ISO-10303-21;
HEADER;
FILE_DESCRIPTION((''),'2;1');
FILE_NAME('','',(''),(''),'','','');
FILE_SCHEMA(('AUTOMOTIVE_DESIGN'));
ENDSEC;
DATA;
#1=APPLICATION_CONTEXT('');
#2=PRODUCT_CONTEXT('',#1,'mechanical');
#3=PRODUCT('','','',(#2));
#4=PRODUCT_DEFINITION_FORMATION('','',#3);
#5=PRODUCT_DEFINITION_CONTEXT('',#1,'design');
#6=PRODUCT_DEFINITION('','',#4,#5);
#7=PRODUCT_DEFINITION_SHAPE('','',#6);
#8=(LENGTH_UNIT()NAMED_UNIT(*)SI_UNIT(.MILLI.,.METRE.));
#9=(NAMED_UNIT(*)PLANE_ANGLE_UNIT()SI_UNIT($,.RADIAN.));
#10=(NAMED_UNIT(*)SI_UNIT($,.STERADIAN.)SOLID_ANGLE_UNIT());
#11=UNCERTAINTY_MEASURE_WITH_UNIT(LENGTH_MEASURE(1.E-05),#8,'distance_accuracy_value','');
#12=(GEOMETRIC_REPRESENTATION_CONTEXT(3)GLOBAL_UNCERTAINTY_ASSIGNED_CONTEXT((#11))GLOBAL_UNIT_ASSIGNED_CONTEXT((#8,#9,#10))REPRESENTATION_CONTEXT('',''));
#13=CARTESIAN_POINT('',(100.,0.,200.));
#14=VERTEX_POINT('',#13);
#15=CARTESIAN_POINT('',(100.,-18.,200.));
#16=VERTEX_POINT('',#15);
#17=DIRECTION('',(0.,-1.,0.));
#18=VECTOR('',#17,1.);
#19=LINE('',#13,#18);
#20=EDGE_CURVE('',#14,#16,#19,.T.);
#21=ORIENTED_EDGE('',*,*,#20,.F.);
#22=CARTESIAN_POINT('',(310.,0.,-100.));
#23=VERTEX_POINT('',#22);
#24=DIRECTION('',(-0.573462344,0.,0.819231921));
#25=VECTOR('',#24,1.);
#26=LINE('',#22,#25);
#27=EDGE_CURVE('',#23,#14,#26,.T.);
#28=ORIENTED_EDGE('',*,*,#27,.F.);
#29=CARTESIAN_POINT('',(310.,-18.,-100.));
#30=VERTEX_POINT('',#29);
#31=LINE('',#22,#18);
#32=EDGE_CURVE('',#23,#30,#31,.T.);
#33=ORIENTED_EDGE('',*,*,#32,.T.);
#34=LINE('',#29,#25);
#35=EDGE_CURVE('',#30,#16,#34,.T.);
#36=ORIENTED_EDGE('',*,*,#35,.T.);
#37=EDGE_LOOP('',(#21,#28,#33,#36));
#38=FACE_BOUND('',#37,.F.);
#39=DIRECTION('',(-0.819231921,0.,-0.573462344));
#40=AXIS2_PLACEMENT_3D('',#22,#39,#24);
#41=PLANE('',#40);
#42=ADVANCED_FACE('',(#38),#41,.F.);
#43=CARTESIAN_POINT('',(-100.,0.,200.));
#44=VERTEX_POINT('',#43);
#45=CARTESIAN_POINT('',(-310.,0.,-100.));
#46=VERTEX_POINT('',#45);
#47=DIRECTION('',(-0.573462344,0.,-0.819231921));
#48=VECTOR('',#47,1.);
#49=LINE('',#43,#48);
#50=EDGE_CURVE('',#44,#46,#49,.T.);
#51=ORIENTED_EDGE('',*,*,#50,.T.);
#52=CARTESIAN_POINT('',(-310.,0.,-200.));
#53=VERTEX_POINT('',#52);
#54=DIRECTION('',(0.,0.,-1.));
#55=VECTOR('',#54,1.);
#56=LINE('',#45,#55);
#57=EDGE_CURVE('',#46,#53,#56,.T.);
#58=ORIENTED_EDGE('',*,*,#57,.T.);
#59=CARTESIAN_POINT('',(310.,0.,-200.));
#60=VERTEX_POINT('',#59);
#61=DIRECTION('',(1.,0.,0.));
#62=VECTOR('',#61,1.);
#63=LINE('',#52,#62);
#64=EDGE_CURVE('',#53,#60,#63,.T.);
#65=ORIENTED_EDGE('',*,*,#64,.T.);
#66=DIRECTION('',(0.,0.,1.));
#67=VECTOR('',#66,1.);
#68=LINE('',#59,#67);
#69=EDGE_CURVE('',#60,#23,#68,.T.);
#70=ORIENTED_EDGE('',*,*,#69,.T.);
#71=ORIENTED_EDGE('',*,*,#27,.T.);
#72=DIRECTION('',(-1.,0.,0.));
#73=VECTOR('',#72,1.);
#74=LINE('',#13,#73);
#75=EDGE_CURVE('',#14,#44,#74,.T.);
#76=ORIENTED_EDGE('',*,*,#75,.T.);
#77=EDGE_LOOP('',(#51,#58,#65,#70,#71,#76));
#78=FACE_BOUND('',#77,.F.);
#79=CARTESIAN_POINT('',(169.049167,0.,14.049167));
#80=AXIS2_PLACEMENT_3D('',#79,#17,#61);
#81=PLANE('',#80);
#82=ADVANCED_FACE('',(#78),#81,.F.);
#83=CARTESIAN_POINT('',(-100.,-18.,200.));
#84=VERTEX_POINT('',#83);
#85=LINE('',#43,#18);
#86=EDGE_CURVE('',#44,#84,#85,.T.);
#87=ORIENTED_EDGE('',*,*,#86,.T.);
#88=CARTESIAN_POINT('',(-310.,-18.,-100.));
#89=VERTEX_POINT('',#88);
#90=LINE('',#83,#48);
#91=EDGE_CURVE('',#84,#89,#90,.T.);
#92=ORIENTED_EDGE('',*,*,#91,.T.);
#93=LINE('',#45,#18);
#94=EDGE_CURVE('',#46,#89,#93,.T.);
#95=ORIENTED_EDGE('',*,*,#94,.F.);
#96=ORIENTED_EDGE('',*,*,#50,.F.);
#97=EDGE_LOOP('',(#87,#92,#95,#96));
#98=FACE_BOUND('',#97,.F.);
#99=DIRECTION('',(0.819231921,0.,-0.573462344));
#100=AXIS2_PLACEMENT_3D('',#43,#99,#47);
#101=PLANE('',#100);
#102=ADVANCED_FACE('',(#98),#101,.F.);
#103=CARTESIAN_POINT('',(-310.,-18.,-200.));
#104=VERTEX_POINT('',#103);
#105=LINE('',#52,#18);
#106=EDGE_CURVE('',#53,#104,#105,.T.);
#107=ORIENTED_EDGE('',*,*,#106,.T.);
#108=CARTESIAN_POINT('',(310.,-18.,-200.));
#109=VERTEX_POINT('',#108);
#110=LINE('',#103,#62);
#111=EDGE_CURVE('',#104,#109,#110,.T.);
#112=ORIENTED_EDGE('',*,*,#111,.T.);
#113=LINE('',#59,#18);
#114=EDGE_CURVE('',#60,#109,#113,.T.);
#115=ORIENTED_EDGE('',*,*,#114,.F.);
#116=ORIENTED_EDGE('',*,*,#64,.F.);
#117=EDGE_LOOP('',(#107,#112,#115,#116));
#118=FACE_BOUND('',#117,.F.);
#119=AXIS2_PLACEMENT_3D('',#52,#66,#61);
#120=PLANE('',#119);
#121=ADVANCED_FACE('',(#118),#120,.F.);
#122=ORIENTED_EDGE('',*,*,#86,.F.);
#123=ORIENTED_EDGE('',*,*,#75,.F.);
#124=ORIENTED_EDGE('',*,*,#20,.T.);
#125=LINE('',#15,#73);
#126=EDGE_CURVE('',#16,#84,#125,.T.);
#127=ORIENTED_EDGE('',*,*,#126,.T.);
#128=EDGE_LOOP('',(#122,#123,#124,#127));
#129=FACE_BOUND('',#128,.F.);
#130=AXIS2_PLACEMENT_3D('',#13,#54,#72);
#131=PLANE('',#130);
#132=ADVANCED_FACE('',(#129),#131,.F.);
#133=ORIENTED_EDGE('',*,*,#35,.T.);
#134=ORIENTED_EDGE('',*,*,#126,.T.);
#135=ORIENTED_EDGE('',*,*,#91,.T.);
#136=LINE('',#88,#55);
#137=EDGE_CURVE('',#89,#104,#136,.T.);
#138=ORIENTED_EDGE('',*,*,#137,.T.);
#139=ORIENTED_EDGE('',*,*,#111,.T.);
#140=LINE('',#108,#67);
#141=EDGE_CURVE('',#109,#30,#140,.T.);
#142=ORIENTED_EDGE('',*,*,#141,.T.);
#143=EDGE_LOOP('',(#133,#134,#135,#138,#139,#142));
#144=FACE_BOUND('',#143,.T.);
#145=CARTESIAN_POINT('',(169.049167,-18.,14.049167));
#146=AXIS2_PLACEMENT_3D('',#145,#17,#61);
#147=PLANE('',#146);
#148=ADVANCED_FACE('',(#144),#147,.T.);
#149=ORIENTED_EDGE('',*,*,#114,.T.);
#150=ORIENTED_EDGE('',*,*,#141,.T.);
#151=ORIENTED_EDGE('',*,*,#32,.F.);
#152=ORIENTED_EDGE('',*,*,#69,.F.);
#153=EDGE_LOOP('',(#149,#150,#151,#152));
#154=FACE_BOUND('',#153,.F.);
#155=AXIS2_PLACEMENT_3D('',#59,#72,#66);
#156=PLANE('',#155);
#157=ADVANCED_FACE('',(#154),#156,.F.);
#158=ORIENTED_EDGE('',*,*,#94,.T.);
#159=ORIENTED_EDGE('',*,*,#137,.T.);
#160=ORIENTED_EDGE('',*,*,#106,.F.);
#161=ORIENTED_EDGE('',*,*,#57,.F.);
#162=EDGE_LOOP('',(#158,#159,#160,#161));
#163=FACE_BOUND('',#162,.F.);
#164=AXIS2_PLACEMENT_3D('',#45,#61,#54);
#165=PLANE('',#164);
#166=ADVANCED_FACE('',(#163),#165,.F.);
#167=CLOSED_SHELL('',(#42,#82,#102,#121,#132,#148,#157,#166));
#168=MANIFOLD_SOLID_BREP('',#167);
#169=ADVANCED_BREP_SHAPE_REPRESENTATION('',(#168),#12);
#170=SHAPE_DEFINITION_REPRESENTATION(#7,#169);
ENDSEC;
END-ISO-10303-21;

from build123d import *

# Parameters (mm, degrees)
F1_DEPTH = 18


with BuildPart() as f1:
    # F0 (on Front) → F1 (new body)
    with BuildSketch(Plane.XZ):
        Polygon((100, -100), (310, -100), (100, 200), align=None)
        Polygon((-310, -200), (-100, -200), (100, -200), (310, -200), (310, -100), (100, -100), (100, 200), (-100, 200), (-100, -100), (-310, -100), align=None)
        Polygon((-100, 200), (-310, -100), (-100, -100), align=None)
    extrude(amount=F1_DEPTH)


solid = f1.part
